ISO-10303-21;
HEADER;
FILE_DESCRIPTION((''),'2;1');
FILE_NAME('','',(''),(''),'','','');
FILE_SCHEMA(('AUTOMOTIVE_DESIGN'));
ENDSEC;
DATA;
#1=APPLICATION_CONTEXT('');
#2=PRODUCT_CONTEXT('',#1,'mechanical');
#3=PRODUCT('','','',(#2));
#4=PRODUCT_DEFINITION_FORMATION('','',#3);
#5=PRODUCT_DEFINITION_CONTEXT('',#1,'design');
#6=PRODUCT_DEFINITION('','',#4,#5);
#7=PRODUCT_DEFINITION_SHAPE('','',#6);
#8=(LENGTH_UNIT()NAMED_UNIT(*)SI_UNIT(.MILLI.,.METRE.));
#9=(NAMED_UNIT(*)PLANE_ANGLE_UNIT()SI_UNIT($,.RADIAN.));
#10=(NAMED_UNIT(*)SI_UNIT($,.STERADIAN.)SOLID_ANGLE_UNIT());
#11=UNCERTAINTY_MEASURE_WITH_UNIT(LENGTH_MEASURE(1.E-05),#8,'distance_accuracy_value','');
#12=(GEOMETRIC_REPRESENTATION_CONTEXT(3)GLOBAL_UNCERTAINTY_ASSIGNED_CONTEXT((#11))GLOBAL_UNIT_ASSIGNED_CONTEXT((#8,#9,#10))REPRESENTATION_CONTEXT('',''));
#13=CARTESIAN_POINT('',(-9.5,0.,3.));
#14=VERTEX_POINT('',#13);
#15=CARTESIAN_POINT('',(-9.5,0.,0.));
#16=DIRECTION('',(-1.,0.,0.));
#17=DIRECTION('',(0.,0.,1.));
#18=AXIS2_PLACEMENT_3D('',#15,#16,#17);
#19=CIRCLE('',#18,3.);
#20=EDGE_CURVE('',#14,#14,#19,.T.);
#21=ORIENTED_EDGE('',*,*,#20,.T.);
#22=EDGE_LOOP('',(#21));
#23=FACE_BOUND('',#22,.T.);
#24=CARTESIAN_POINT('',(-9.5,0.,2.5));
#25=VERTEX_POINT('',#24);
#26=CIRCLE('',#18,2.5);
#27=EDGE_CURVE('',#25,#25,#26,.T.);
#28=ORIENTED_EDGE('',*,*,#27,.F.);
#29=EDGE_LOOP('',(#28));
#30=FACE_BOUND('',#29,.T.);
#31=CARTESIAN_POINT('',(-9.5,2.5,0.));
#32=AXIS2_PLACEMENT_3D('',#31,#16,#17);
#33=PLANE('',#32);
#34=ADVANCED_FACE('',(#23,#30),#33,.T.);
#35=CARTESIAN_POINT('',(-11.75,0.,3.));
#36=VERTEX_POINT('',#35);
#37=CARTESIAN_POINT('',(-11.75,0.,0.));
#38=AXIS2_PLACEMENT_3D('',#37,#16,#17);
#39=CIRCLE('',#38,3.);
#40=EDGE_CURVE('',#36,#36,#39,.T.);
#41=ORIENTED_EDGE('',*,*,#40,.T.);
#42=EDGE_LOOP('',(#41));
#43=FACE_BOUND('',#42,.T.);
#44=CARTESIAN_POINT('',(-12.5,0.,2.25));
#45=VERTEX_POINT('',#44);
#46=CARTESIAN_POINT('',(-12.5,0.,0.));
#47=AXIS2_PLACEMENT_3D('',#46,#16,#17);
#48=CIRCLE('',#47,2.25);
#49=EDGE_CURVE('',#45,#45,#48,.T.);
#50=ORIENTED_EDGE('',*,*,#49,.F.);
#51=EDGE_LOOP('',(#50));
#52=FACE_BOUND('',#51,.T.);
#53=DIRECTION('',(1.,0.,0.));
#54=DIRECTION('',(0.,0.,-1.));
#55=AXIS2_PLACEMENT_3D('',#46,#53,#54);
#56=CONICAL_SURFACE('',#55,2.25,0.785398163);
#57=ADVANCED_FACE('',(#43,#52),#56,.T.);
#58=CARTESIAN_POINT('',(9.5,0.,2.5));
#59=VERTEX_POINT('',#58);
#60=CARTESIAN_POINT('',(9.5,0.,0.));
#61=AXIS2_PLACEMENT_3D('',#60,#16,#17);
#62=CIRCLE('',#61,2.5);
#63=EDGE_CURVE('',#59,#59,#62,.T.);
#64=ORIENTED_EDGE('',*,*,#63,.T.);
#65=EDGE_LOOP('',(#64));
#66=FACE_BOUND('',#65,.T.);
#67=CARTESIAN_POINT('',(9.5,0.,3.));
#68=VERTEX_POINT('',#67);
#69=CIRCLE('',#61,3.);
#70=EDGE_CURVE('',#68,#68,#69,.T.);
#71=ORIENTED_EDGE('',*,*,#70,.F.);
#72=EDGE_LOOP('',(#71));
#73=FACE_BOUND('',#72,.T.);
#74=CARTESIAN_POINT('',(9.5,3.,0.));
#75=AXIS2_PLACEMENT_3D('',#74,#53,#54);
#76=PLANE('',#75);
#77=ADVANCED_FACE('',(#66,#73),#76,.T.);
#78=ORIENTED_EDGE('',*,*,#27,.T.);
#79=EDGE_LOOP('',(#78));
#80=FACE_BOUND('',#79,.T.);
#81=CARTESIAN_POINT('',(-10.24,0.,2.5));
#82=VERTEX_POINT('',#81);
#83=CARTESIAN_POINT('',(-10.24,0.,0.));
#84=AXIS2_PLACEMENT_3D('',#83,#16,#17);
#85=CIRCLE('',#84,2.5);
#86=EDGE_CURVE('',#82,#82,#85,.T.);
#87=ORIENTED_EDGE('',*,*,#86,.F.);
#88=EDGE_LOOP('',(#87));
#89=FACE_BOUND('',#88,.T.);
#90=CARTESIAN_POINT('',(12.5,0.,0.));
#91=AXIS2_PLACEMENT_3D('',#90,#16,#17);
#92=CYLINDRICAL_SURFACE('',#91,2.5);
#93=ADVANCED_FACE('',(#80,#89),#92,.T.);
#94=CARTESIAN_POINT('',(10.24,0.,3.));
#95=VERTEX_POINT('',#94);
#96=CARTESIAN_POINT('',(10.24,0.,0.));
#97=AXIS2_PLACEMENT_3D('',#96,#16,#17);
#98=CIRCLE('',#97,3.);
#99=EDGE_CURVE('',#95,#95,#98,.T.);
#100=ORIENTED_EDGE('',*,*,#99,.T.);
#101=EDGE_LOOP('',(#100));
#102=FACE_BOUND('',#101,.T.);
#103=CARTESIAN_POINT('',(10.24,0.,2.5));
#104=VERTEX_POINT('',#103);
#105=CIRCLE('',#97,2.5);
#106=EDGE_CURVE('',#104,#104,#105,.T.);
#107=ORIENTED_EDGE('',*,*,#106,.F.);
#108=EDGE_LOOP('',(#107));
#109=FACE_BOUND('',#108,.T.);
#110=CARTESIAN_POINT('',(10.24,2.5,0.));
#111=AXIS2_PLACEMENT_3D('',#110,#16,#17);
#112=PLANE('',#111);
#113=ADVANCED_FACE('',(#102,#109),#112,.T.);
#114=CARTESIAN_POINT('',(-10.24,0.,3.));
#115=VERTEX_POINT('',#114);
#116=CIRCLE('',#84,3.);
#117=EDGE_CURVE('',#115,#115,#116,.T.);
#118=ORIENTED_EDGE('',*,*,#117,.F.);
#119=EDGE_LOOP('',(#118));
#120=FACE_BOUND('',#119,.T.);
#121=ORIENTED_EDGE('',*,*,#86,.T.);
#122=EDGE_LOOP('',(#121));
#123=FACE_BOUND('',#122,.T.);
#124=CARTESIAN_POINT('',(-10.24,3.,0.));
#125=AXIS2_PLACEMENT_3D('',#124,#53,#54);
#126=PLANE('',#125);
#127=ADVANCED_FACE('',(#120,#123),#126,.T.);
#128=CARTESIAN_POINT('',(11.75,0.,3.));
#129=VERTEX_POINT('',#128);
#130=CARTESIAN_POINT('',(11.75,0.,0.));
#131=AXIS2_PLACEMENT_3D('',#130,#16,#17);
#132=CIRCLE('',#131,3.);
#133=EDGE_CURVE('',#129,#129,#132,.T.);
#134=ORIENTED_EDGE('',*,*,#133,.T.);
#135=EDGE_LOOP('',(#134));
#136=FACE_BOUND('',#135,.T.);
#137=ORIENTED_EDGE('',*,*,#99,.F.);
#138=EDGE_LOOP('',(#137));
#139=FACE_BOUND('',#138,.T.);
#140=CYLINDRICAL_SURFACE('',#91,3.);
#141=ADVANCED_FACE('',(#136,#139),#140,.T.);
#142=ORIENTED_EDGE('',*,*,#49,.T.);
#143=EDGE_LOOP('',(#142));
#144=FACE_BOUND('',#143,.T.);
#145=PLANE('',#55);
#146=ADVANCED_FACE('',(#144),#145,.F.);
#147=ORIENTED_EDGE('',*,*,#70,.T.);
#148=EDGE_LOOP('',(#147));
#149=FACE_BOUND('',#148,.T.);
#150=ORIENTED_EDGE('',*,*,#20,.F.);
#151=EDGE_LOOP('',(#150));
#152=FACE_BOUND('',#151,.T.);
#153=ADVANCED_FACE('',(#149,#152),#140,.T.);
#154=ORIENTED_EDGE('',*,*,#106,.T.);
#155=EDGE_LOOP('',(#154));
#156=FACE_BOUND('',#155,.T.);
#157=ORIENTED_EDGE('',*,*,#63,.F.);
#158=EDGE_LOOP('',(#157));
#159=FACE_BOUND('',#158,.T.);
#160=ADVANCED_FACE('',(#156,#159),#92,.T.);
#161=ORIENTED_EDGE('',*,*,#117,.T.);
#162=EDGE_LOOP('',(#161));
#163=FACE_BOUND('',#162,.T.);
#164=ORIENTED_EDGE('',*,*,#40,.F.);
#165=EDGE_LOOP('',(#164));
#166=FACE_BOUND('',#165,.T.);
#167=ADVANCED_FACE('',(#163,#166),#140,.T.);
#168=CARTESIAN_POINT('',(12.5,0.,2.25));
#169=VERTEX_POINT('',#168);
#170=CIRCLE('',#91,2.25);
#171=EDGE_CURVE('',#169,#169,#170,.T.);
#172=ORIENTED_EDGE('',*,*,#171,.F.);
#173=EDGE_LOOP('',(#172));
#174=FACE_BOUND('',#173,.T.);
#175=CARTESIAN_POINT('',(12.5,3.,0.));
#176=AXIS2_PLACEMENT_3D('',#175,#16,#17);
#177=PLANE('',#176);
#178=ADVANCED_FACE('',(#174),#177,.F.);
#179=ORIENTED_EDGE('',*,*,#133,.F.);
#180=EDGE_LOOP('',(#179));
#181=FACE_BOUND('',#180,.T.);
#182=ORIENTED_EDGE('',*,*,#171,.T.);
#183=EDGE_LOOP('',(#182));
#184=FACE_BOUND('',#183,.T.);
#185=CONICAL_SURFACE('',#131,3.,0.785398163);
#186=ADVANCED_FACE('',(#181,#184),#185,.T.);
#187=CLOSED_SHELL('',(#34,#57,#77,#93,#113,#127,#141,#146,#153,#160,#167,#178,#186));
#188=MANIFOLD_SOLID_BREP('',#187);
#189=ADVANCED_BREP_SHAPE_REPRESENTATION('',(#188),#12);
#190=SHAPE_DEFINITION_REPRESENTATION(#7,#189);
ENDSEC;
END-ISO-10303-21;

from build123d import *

# Parameters (mm, degrees)
SKETCH1_W = 25
SKETCH1_H = 3
SKETCH4_W = 0.74
SKETCH4_H = 0.5
SKETCH5_W = 0.74
SKETCH5_H = 0.5


with BuildPart() as part:
    # Sketch1 → Revolve1 (revolve)
    with BuildSketch(Plane.XY):
        with Locations((0, 1.5)):
            Rectangle(SKETCH1_W, SKETCH1_H)
    revolve(axis=Axis((12.5, 0, 0), (-1, 0, 0)))

    # Sketch2 → Cut-Revolve1 (revolve, cut)
    with BuildSketch(Plane.XY):
        Polygon((11.75, 3), (12.5, 2.25), (12.5, 3), align=None)
    revolve(axis=Axis((12.5, 0, 0), (-1, 0, 0)), mode=Mode.SUBTRACT)

    # Sketch3 → Cut-Revolve2 (revolve, cut)
    with BuildSketch(Plane.XY):
        Polygon((-12.5, 2.25), (-11.75, 3), (-12.5, 3), align=None)
    revolve(axis=Axis((12.5, 0, 0), (-1, 0, 0)), mode=Mode.SUBTRACT)

    # Sketch4 → Cut-Revolve3 (revolve, cut)
    with BuildSketch(Plane.XY):
        with Locations((9.87, 2.75)):
            Rectangle(SKETCH4_W, SKETCH4_H)
    revolve(axis=Axis((12.5, 0, 0), (-1, 0, 0)), mode=Mode.SUBTRACT)

    # Sketch5 → Cut-Revolve4 (revolve, cut)
    with BuildSketch(Plane.XY):
        with Locations((-9.87, 2.75)):
            Rectangle(SKETCH5_W, SKETCH5_H)
    revolve(axis=Axis((12.5, 0, 0), (-1, 0, 0)), mode=Mode.SUBTRACT)


solid = part.part
